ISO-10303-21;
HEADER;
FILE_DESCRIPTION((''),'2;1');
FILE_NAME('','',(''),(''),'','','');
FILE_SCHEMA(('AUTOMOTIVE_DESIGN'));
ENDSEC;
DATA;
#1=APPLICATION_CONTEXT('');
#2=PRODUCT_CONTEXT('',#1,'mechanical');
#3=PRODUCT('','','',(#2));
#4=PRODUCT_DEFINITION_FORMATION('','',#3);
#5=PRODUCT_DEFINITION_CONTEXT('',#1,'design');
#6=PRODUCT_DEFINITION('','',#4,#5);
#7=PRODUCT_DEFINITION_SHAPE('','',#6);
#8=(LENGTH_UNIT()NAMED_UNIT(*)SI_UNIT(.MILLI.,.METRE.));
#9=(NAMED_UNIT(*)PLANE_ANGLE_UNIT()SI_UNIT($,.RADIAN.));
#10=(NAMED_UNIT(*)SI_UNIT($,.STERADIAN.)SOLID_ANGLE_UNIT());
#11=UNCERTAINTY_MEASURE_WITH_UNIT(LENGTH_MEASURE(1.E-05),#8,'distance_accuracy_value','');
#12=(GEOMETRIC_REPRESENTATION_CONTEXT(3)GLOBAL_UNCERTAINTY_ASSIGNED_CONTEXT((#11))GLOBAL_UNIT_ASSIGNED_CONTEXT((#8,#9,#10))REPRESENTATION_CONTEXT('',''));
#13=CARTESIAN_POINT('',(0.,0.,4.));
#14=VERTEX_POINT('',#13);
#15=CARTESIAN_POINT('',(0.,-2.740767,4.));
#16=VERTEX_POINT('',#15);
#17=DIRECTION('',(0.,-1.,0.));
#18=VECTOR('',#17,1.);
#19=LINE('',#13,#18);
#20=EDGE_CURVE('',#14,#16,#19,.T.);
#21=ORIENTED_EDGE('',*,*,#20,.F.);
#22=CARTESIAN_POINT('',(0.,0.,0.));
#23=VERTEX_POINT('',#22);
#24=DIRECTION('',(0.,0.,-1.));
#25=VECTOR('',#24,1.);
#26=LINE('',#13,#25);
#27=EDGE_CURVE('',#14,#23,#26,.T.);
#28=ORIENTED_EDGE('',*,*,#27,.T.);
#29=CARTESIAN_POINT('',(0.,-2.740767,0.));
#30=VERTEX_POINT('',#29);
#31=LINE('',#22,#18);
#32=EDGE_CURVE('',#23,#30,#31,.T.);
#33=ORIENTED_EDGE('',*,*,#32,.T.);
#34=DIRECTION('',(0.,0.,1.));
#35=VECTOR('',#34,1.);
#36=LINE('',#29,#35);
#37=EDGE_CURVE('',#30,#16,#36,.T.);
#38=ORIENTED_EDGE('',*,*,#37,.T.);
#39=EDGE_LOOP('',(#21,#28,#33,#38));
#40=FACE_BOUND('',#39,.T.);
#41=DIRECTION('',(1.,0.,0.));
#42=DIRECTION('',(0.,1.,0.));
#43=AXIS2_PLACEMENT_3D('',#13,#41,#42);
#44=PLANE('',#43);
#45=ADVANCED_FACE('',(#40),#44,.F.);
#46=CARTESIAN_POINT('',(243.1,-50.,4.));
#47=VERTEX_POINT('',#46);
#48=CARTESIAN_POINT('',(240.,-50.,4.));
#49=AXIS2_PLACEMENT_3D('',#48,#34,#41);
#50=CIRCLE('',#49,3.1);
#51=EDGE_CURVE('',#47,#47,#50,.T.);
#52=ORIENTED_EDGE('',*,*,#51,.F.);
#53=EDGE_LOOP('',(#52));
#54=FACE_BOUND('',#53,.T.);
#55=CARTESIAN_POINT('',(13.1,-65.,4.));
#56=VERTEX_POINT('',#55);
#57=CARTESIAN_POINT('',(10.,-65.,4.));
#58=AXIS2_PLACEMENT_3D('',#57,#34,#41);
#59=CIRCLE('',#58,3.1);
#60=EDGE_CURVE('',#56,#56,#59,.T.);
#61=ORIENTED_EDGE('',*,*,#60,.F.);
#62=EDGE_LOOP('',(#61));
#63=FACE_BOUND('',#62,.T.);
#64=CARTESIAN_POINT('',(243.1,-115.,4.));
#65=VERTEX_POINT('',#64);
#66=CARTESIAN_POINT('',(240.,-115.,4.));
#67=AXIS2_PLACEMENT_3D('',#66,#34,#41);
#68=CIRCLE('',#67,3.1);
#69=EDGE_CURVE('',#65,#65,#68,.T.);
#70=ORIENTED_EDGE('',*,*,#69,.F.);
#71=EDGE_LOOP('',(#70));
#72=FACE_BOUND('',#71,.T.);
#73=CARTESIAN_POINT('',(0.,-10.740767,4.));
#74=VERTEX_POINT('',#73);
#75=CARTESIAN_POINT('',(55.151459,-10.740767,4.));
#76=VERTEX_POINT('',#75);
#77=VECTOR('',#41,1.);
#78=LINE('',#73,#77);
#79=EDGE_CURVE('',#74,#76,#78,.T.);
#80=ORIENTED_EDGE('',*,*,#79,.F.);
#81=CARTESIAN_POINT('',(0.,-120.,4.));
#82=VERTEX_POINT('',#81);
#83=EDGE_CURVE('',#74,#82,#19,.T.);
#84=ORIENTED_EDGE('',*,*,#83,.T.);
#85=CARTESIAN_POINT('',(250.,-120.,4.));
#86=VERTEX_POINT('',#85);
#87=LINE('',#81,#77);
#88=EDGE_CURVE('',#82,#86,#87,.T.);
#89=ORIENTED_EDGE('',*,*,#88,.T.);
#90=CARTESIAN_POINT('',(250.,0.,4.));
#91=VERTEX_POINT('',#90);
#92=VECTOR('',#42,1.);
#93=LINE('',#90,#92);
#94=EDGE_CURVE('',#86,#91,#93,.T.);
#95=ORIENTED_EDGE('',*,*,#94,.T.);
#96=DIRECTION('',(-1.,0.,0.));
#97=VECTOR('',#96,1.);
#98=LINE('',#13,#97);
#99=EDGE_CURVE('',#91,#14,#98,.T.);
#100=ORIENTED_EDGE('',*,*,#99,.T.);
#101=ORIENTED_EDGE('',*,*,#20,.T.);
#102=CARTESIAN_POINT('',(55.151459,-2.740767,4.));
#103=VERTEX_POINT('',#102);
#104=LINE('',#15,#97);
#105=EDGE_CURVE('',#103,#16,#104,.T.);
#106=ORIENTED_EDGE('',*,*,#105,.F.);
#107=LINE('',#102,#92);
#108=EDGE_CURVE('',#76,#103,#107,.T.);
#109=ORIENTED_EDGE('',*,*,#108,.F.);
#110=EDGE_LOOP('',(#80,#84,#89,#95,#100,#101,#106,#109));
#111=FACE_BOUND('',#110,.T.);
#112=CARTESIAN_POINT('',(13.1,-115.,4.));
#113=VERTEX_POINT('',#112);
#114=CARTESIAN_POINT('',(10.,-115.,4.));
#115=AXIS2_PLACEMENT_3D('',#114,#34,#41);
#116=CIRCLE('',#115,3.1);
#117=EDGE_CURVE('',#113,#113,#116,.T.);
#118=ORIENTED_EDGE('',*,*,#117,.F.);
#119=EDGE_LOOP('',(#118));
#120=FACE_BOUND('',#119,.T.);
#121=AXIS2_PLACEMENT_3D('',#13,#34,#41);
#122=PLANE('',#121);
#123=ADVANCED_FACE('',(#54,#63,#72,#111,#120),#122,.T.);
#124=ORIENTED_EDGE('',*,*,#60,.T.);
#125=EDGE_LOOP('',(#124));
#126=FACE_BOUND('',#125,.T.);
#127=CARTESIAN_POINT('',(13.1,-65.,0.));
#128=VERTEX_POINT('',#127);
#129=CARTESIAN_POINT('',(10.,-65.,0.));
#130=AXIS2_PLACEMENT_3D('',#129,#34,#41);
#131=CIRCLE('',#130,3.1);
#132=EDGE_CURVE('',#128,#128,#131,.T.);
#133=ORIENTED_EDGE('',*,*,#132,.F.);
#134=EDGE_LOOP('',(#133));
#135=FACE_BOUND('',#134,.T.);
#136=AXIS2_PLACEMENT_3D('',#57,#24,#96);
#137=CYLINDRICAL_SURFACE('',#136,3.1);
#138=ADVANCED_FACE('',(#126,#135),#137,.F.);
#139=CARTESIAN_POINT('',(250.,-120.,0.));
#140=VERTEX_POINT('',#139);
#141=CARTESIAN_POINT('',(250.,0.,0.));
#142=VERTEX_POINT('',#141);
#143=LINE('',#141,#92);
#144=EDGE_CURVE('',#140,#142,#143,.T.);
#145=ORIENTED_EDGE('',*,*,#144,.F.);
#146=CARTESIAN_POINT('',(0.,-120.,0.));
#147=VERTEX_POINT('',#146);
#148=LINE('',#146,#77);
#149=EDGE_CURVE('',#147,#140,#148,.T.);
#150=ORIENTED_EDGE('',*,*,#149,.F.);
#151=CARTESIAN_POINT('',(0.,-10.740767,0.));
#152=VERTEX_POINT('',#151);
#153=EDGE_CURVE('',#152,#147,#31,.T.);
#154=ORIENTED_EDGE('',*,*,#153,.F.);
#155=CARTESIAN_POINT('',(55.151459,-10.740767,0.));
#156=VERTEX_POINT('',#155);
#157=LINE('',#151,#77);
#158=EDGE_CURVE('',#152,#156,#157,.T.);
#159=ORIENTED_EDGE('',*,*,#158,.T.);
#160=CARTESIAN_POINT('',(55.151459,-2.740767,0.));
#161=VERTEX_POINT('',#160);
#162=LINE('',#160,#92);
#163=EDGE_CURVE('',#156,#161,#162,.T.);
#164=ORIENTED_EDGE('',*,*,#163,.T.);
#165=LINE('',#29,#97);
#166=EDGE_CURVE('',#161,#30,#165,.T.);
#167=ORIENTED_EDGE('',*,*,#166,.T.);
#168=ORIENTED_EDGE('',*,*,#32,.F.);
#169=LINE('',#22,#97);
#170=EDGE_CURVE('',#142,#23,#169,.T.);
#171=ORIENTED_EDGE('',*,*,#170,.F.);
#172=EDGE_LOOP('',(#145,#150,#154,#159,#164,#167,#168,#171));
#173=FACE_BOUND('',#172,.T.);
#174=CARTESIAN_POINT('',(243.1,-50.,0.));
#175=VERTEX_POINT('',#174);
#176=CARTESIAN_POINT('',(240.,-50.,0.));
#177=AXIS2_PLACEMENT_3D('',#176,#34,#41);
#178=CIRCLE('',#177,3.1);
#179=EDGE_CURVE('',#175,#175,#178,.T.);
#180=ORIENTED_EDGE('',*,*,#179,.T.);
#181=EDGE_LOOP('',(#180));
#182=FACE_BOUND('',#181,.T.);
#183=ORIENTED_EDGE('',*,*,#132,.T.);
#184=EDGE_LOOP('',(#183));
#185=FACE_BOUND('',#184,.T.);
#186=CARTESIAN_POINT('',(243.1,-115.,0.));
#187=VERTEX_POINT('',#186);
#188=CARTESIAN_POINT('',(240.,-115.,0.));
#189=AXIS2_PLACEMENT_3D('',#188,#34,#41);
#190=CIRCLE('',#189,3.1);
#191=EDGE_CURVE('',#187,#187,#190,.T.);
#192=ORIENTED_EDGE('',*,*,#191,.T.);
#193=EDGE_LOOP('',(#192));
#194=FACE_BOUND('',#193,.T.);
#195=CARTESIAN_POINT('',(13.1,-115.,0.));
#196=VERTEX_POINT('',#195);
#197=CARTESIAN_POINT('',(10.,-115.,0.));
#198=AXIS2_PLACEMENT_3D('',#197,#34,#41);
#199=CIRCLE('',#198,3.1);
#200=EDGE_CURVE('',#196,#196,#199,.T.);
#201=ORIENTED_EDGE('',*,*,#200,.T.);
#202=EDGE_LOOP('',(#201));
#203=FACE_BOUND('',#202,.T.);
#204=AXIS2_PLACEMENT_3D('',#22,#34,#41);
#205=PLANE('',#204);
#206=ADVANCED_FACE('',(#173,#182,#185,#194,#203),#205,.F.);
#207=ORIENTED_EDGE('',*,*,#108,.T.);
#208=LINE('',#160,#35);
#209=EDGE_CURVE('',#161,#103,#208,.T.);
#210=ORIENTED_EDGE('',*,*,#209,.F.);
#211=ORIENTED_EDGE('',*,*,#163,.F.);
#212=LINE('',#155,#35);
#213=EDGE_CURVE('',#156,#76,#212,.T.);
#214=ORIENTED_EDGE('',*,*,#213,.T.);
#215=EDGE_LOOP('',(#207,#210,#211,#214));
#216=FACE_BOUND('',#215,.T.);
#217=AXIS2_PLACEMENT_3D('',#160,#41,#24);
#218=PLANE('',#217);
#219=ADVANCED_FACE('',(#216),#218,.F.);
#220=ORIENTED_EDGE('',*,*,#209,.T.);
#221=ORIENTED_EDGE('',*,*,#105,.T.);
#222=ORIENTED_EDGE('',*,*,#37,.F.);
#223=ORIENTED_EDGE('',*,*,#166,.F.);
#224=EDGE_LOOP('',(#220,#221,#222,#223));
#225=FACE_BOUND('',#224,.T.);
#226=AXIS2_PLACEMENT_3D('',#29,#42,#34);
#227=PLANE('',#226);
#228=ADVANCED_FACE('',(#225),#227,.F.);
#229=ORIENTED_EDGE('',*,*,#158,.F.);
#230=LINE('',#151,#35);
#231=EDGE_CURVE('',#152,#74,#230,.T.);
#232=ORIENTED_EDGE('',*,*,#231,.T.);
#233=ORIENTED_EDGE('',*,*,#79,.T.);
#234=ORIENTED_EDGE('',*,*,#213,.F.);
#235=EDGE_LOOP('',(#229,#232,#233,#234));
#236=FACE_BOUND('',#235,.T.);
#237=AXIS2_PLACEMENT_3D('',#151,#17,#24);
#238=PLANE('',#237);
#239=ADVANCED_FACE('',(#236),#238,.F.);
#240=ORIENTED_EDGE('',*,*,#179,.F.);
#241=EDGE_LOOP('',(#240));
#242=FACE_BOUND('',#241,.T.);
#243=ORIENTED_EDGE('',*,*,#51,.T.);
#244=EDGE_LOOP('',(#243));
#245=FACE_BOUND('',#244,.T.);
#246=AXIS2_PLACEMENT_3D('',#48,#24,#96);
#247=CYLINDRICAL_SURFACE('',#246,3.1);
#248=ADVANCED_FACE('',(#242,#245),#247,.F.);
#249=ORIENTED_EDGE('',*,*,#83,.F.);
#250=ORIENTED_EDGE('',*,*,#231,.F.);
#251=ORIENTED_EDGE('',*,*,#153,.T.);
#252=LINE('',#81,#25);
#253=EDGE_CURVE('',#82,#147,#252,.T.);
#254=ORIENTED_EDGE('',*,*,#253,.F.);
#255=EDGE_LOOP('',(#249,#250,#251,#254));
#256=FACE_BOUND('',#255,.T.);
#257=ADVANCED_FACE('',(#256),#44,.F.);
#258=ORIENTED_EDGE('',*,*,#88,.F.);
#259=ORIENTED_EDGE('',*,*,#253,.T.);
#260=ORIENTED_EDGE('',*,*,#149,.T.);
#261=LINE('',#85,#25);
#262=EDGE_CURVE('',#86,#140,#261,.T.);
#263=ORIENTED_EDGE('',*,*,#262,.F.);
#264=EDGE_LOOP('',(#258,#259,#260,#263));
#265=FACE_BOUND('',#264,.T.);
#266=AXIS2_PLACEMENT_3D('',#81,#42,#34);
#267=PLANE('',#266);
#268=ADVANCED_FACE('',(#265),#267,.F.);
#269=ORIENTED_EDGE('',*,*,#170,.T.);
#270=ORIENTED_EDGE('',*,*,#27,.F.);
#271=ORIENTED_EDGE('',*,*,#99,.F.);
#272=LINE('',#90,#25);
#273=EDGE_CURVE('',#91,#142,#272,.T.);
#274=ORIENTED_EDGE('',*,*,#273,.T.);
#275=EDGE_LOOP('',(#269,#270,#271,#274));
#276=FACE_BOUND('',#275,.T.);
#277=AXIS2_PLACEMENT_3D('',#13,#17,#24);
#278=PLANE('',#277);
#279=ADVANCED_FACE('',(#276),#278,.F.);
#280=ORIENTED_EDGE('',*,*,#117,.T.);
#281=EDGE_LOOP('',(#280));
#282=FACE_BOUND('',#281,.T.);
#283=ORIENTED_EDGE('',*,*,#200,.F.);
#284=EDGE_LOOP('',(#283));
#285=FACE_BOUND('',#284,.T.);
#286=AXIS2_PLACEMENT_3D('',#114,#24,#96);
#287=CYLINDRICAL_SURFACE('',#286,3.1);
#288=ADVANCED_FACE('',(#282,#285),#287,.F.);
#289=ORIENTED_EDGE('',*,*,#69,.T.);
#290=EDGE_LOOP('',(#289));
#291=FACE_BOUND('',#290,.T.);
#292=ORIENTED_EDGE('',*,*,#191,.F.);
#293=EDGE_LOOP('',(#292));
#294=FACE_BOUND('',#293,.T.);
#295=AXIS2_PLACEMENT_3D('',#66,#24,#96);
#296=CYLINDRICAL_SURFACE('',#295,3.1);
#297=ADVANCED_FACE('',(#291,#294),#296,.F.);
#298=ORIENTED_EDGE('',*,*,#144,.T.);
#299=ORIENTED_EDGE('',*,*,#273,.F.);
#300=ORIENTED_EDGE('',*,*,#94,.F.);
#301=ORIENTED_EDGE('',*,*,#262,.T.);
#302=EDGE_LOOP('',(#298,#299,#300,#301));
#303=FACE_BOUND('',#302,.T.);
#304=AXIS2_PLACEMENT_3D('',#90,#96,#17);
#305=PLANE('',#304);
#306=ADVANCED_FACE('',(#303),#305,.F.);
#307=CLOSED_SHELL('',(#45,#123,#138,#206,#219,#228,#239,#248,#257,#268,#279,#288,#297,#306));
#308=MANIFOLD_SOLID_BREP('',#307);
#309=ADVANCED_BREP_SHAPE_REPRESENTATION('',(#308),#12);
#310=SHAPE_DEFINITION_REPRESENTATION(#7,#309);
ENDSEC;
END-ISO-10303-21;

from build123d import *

# Parameters (mm, degrees)
ESQUISSE1_W             = 250
ESQUISSE1_H             = 120
ESQUISSE1_R             = 3.1
BOSS_EXTRU_1_DEPTH      = 4
ESQUISSE3_W             = 55.151458736
ESQUISSE3_H             = 8
ENL_V_MAT_EXTRU_2_DEPTH = 278.337339715


with BuildPart() as part:
    # Esquisse1 → Boss.-Extru.1 (new body)
    with BuildSketch(Plane.XY):
        with Locations((125, -60)):
            Rectangle(ESQUISSE1_W, ESQUISSE1_H)
        with Locations((10, -115)):
            Circle(ESQUISSE1_R, mode=Mode.SUBTRACT)
        with Locations((10, -65)):
            Circle(ESQUISSE1_R, mode=Mode.SUBTRACT)
        with Locations((240, -115)):
            Circle(ESQUISSE1_R, mode=Mode.SUBTRACT)
        with Locations((240, -50)):
            Circle(ESQUISSE1_R, mode=Mode.SUBTRACT)
    extrude(amount=BOSS_EXTRU_1_DEPTH)

    # Esquisse3 → Enlèv. mat.-Extru.2 (cut, through all)
    with BuildSketch(Plane.XY.offset(4)):
        with Locations((27.575729368, -6.740767181)):
            Rectangle(ESQUISSE3_W, ESQUISSE3_H)
    extrude(amount=-ENL_V_MAT_EXTRU_2_DEPTH, mode=Mode.SUBTRACT)


solid = part.part
